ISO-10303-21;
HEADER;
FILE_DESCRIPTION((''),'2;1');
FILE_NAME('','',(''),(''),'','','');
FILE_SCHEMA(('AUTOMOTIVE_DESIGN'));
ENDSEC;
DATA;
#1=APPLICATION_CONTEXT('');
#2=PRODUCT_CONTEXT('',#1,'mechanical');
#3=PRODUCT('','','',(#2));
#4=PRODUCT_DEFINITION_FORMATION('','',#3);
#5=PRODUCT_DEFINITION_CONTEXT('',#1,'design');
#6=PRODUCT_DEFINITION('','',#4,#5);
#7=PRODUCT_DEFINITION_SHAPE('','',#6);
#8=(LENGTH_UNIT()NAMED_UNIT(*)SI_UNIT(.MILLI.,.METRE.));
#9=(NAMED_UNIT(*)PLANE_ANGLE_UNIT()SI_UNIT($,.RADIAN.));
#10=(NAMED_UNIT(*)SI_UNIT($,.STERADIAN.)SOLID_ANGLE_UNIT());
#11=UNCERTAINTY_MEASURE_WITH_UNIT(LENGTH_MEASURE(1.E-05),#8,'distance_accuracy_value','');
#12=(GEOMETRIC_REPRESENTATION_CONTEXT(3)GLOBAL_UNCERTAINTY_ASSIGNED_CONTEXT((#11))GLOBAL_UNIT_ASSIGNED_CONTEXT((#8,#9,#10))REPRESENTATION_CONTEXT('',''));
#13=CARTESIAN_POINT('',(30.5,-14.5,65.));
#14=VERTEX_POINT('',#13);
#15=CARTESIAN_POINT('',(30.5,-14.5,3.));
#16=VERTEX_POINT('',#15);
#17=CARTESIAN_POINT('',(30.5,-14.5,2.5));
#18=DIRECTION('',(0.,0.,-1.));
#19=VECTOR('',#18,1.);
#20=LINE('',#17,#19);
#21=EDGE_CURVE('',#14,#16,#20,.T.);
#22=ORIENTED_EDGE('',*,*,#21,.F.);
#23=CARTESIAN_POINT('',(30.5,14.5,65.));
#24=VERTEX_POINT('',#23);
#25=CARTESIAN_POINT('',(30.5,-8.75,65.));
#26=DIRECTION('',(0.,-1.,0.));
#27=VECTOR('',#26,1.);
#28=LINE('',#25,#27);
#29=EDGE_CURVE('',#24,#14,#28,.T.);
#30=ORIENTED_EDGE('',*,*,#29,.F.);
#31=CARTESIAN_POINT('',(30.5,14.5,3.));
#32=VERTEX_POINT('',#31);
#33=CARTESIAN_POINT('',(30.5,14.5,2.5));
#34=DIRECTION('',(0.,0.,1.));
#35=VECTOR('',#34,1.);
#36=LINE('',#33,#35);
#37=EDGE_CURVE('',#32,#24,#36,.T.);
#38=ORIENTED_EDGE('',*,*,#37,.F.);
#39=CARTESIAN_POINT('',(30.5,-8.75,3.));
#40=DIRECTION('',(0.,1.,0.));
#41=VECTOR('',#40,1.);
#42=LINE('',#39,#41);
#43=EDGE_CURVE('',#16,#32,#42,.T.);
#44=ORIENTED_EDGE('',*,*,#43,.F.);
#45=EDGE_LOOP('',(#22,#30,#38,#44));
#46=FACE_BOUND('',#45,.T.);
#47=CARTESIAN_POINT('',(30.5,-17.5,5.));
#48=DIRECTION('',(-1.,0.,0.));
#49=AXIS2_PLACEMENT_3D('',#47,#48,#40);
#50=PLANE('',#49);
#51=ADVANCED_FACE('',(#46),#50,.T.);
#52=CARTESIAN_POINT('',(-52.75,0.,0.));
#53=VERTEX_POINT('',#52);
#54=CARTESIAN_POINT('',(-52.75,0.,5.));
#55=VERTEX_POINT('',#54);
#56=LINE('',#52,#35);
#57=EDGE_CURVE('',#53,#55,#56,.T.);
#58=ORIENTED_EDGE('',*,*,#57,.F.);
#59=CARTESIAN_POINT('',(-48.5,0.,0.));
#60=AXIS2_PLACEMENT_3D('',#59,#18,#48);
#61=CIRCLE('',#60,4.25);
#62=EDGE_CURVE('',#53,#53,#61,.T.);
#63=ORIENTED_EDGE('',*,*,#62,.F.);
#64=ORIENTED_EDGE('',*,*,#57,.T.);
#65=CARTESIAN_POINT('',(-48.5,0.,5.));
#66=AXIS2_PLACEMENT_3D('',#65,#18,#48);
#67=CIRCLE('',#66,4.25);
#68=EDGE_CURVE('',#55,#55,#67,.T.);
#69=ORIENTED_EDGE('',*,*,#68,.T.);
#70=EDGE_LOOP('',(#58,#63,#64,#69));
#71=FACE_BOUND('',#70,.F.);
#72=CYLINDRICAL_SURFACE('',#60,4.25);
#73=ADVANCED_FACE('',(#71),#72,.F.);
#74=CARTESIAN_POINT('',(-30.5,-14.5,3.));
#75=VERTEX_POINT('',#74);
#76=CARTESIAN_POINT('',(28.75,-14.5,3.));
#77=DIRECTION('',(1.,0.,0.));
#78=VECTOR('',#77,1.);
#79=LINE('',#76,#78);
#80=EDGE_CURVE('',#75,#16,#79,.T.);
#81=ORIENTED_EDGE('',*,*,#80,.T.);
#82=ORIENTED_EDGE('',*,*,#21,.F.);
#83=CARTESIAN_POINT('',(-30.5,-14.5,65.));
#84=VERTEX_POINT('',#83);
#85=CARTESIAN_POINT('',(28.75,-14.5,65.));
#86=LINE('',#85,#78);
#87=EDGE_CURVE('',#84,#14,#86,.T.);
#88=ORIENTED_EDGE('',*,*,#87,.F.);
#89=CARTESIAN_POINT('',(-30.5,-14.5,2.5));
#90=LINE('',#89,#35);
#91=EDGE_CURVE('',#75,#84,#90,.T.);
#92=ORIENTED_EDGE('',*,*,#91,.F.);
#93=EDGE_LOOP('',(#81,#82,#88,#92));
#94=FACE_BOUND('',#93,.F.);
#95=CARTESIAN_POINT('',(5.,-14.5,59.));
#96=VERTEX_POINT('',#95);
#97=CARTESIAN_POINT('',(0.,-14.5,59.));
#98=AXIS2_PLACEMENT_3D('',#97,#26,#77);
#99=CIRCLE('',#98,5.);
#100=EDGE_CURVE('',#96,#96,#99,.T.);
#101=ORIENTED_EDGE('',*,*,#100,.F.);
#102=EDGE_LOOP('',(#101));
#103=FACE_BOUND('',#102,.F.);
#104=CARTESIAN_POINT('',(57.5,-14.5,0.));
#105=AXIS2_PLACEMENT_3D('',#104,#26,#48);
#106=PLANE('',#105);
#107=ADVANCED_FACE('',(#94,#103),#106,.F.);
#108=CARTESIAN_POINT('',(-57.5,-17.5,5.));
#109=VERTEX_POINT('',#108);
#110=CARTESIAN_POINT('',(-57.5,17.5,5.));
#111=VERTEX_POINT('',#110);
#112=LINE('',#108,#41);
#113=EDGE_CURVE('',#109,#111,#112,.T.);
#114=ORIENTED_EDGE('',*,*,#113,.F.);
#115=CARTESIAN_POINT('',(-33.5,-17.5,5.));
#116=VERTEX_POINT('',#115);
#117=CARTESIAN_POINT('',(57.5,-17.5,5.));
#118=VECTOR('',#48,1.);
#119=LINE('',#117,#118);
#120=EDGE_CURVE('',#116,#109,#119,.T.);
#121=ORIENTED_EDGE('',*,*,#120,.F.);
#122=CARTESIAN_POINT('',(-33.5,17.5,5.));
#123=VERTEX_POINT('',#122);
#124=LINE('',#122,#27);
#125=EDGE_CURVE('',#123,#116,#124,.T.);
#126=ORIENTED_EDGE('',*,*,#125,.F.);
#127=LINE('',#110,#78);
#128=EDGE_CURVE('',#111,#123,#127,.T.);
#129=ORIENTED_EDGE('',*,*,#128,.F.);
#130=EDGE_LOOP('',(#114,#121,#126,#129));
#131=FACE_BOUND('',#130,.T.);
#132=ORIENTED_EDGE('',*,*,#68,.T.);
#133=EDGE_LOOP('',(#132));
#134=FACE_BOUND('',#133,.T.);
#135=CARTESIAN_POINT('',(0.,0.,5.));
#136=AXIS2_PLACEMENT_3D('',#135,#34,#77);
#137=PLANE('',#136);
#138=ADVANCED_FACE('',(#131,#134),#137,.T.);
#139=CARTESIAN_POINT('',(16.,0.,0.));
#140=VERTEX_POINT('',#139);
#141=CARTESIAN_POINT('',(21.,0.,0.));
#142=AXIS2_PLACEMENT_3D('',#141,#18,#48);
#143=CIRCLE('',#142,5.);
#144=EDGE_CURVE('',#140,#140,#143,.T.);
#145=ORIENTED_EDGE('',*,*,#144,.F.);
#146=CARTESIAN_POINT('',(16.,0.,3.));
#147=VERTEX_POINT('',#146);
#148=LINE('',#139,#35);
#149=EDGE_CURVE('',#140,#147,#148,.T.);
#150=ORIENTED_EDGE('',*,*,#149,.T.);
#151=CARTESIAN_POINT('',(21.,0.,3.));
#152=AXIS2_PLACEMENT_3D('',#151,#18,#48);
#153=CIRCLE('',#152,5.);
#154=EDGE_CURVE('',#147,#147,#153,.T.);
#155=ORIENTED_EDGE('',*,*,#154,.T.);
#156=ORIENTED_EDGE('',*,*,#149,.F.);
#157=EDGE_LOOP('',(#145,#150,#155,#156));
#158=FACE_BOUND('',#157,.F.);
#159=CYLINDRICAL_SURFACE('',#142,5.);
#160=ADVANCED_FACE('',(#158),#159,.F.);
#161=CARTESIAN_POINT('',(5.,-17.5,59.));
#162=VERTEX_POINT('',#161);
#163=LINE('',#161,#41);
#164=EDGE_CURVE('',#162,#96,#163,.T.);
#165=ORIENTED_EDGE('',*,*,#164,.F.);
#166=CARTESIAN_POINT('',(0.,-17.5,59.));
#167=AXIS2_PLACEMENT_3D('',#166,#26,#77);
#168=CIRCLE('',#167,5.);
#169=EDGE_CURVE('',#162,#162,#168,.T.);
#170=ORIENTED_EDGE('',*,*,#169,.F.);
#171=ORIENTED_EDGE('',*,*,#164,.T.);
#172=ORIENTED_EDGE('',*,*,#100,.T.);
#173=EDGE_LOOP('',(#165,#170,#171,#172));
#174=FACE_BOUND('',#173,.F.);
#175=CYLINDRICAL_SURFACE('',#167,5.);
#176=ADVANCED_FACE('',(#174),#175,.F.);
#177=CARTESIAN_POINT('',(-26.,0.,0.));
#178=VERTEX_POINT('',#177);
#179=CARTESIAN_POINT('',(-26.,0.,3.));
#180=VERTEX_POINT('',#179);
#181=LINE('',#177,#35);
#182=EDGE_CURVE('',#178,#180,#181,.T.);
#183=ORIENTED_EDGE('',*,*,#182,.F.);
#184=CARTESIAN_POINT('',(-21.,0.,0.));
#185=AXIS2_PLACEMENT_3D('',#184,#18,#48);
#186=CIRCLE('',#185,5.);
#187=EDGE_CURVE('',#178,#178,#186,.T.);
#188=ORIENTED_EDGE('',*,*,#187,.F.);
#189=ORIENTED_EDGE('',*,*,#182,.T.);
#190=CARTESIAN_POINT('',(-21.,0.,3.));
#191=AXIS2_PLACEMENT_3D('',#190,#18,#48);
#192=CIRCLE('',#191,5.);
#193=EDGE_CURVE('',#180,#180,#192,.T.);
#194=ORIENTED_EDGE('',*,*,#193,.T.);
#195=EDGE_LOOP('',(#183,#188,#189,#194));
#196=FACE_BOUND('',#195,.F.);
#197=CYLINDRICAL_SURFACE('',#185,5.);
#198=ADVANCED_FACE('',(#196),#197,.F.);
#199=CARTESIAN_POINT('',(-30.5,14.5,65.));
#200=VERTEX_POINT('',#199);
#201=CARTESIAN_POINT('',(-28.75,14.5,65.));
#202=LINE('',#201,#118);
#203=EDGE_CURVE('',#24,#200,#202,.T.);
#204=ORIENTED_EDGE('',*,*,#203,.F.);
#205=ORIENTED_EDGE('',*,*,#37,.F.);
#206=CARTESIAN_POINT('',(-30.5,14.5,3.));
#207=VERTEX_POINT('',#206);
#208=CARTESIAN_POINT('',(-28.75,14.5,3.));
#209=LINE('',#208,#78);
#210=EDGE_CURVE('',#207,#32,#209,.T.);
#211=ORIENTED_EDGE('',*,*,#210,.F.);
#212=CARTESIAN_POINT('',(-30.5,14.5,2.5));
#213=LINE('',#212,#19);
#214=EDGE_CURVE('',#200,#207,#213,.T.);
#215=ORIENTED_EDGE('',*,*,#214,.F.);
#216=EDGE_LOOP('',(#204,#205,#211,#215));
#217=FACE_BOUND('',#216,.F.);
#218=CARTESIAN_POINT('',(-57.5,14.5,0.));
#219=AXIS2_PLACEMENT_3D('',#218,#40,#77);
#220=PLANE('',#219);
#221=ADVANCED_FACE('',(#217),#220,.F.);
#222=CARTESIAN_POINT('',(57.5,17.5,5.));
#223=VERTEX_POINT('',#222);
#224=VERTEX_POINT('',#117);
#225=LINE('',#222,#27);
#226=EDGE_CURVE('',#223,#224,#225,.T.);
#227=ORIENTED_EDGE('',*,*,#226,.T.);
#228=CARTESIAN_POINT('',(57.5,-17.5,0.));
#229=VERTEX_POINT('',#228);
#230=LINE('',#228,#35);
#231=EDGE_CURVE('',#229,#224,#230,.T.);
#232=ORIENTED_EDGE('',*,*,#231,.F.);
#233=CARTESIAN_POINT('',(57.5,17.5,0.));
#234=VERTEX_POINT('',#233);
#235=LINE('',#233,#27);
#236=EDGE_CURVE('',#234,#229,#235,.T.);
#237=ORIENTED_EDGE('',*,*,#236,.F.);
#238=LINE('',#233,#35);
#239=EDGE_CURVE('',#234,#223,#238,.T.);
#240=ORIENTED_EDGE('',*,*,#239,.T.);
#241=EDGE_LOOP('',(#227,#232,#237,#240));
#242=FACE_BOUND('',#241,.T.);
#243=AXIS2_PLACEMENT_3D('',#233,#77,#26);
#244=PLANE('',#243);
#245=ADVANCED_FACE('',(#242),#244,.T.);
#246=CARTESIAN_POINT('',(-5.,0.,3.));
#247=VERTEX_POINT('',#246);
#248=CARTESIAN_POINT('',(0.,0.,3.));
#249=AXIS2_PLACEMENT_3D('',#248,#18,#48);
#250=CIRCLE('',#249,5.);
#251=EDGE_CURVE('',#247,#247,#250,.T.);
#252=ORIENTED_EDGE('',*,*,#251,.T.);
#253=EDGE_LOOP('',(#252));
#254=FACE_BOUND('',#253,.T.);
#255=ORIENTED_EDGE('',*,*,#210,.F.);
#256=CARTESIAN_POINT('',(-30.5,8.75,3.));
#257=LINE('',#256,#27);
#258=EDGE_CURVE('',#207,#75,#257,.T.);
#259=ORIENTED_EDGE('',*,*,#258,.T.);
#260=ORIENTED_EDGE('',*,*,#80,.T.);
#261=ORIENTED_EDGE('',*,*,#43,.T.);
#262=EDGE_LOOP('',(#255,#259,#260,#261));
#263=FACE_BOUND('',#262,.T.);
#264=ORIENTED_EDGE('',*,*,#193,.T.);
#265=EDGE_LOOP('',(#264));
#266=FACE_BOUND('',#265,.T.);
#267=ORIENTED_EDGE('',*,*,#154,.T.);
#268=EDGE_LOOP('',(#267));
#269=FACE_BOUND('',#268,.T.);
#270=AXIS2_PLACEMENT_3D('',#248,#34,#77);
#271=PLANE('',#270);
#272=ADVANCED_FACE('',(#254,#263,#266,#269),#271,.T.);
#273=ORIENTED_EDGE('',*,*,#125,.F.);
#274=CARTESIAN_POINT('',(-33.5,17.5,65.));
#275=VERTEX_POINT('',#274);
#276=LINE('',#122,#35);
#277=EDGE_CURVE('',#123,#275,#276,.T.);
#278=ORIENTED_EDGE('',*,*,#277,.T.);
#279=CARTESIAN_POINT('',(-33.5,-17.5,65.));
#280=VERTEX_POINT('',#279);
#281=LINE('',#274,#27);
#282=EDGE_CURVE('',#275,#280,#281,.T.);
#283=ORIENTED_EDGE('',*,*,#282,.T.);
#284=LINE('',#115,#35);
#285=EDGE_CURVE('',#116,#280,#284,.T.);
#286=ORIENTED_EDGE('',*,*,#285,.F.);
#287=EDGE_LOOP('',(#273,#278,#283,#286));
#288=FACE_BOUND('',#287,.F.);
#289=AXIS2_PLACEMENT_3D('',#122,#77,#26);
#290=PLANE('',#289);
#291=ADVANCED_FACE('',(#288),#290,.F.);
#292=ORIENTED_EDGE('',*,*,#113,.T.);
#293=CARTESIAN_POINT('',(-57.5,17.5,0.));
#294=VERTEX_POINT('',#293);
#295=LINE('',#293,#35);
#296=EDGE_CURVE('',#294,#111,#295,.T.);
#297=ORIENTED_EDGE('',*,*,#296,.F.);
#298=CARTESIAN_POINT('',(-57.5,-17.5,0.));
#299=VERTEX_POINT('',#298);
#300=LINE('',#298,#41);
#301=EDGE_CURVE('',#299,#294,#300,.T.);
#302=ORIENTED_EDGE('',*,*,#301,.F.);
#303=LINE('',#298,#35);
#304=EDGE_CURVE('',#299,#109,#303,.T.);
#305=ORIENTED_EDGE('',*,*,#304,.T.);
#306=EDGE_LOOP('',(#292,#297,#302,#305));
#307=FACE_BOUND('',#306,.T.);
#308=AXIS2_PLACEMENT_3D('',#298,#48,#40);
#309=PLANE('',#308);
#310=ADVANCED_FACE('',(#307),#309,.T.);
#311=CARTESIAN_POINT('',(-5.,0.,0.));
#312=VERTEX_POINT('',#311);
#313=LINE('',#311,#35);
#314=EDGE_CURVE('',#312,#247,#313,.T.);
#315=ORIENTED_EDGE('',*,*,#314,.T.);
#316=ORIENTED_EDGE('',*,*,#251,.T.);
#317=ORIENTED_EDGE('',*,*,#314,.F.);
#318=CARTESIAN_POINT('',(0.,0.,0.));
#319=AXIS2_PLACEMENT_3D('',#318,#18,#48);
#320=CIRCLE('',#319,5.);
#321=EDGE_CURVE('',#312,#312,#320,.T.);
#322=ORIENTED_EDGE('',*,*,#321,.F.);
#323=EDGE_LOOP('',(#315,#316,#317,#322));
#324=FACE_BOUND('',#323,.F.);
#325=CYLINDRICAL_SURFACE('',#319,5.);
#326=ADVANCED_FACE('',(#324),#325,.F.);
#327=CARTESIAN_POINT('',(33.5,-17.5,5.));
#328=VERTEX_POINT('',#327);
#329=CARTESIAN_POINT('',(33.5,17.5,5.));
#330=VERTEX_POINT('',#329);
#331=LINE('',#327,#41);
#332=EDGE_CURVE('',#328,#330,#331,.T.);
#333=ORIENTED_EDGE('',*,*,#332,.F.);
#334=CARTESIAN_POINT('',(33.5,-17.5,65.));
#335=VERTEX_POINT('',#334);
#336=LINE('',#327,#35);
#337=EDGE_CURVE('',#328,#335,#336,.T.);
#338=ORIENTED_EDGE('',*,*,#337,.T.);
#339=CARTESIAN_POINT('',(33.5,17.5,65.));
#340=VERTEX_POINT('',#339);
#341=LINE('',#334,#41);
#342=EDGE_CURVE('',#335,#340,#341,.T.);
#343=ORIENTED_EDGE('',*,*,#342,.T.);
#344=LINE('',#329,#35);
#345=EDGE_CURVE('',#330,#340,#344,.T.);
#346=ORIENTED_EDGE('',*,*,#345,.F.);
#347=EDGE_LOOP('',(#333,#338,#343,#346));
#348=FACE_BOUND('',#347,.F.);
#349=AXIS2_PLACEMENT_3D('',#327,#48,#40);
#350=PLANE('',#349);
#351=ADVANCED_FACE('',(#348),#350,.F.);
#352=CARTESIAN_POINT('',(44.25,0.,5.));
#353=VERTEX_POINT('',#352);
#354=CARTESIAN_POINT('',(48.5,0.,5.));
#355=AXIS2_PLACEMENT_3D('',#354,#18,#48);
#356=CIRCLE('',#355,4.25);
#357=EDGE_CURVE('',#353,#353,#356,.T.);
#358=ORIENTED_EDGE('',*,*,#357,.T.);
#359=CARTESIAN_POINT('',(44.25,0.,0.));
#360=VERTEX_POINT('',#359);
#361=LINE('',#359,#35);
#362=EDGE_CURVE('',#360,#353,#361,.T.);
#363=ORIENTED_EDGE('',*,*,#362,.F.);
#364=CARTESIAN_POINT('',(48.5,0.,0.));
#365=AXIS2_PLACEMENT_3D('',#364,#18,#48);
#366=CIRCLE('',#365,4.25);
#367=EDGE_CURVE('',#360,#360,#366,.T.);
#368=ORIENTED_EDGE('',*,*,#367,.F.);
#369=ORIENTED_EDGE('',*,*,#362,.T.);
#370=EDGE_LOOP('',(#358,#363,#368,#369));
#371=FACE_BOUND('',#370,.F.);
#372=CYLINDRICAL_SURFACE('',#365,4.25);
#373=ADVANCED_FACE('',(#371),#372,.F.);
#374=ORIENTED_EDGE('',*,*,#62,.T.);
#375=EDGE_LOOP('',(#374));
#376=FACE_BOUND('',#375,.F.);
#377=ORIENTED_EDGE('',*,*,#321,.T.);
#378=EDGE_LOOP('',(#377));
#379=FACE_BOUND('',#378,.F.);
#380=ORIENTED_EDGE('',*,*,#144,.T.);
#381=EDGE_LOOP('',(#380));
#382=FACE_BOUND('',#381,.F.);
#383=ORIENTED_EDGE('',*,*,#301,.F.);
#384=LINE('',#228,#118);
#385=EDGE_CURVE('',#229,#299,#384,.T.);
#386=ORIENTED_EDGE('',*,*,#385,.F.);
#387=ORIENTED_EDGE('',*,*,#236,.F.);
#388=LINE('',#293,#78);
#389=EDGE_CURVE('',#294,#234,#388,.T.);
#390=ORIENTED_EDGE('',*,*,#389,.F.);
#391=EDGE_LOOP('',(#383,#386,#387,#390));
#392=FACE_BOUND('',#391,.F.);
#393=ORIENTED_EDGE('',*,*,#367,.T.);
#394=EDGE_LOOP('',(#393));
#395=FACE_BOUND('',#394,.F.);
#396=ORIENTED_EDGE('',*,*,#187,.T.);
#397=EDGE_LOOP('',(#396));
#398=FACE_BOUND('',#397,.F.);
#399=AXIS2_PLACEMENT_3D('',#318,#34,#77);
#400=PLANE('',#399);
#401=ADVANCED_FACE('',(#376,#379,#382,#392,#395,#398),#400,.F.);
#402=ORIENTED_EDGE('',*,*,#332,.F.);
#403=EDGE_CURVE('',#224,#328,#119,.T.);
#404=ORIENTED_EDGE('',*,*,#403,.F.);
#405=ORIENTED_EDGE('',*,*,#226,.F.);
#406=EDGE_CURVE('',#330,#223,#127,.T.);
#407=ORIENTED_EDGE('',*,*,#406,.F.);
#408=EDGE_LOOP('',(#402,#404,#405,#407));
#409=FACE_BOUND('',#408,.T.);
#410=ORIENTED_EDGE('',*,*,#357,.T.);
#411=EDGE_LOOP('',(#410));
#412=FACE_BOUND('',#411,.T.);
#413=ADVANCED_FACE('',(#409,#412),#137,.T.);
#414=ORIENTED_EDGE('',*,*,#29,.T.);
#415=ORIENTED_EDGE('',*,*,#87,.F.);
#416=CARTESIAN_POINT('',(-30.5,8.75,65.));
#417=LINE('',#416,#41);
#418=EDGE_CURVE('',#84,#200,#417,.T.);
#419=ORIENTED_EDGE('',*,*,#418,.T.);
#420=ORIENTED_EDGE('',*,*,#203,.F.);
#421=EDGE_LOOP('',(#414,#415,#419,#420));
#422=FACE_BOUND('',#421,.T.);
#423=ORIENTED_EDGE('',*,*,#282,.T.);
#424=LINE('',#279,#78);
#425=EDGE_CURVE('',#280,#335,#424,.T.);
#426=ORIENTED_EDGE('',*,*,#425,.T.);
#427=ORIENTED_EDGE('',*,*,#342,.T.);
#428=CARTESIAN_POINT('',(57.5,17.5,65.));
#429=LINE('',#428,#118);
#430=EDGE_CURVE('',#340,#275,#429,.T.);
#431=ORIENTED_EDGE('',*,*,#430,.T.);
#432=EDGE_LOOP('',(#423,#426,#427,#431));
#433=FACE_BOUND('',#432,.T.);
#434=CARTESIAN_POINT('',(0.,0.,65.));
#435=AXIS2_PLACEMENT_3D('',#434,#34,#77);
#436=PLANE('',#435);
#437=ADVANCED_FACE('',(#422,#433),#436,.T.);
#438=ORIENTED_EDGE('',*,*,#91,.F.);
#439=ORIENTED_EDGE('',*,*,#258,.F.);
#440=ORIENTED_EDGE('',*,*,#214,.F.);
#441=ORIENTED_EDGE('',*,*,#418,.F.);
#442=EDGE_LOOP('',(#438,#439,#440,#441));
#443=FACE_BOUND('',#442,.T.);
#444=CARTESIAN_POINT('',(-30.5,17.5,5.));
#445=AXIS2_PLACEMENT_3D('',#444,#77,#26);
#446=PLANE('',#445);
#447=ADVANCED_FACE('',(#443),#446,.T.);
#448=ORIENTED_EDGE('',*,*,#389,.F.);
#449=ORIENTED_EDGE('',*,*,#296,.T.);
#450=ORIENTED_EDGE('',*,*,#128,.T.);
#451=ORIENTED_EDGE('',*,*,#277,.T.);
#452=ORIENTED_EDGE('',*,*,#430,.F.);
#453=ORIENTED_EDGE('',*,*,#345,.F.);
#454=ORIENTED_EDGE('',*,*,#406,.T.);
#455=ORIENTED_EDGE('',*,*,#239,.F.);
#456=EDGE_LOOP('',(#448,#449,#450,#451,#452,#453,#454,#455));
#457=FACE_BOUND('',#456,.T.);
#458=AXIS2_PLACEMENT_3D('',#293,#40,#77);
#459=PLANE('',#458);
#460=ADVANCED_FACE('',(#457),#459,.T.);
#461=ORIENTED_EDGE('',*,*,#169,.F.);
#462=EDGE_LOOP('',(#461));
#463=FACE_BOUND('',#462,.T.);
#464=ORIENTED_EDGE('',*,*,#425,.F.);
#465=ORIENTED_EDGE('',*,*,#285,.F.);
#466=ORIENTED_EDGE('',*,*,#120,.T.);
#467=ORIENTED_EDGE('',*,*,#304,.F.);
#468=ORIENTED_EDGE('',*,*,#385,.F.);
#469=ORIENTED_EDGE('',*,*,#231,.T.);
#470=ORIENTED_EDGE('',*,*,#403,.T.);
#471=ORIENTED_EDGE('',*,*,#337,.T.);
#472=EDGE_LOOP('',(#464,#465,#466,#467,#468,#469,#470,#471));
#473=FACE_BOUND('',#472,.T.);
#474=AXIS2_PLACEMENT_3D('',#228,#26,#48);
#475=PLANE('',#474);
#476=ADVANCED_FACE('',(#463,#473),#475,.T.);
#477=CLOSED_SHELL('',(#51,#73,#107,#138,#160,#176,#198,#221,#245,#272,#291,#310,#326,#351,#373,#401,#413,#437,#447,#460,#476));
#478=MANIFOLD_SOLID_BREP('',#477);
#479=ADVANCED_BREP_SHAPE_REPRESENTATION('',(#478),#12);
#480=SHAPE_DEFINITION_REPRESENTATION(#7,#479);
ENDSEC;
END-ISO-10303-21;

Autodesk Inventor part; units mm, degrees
ref_plane "YZ Plane" through (0, 0, 0) normal (1, 0, 0) x (0, 1, 0)
ref_plane "XZ Plane" through (0, 0, 0) normal (0, 1, 0) x (-1, 0, 0)
ref_plane "XY Plane" through (0, 0, 0) normal (0, 0, 1) x (1, 0, 0)
sketch "Sketch1" plane through (0, 0, 0) normal (0, 0, 1) x (1, 0, 0)
  line L0 (-57.5, 17.5) -> (57.5, 17.5)
  line L1 (57.5, 17.5) -> (57.5, -17.5)
  line L2 (57.5, -17.5) -> (-57.5, -17.5)
  line L3 (-57.5, -17.5) -> (-57.5, 17.5)
  line L4 (-57.5, 17.5) -> (57.5, -17.5) construction
  line L5 (57.5, 17.5) -> (-57.5, -17.5) construction
  point P0 (0, 0)
  dimension "d0" = 115
  dimension "d1" = 35
extrude "Extrusion1" add sketch "Sketch1" along normal blind 5
sketch "Sketch2" plane through (0, 0, 5) normal (0, 0, 1) x (1, 0, 0)
  line L0 (57.5, 17.5) -> (-57.5, 17.5) projected
  line L1 (-33.5, -17.5) -> (33.5, -17.5)
  line L2 (33.5, -17.5) -> (33.5, 17.5)
  line L3 (33.5, 17.5) -> (-33.5, 17.5)
  line L4 (-33.5, 17.5) -> (-33.5, -17.5)
  line L5 (-33.5, -17.5) -> (33.5, 17.5) construction
  line L6 (33.5, -17.5) -> (-33.5, 17.5) construction
  point P0 (0, 0)
  dimension "d10" = 67
extrude "Extrusion2" add sketch "Sketch2" along normal blind 60
shell "Shell1" thickness 3 removed faces 1 at (11.1667, -5.8333, 65)
sketch "Sketch3" plane through (0, 0, 0) normal (0, 0, -1) x (-1, 0, 0)
  circle A0 centre (0, 0) radius 5
  circle A1 centre (21, 0) radius 5
  circle A2 centre (-21, 0) radius 5
  circle A3 centre (48.5, 0) radius 4.25
  circle A4 centre (-48.5, 0) radius 4.25
  line L0 (-57.5, -17.5) -> (-57.5, 17.5) projected
  line L1 (57.5, 17.5) -> (57.5, -17.5) projected
  dimension "d14" = 10
  dimension "d15" = 10
  dimension "d16" = 10
  dimension "d17" = 21
  dimension "d18" = 21
  dimension "d19" = 8.5
  dimension "d20" = 8.5
  dimension "d21" = 97
  dimension "d22" = 9
  dimension "d23" = 9
extrude "Extrusion3" cut sketch "Sketch3" against normal through all
sketch "Sketch4" plane through (-57.5, -17.5, 0) normal (0, -1, 0) x (1, 0, 0)
  point P0 (57.5, 0)
sketch "Sketch5" plane through (-57.5, -17.5, 0) normal (0, -1, 0) x (1, 0, 0)
  circle A0 centre (57.5, 59) radius 5
  line L0 (24, 65) -> (91, 65) projected
  point P0 (57.5, 0)
  dimension "d26" = 10
  dimension "d27" = 6
extrude "Extrusion4" cut sketch "Sketch5" against normal blind 3
properties part number "BASE"
